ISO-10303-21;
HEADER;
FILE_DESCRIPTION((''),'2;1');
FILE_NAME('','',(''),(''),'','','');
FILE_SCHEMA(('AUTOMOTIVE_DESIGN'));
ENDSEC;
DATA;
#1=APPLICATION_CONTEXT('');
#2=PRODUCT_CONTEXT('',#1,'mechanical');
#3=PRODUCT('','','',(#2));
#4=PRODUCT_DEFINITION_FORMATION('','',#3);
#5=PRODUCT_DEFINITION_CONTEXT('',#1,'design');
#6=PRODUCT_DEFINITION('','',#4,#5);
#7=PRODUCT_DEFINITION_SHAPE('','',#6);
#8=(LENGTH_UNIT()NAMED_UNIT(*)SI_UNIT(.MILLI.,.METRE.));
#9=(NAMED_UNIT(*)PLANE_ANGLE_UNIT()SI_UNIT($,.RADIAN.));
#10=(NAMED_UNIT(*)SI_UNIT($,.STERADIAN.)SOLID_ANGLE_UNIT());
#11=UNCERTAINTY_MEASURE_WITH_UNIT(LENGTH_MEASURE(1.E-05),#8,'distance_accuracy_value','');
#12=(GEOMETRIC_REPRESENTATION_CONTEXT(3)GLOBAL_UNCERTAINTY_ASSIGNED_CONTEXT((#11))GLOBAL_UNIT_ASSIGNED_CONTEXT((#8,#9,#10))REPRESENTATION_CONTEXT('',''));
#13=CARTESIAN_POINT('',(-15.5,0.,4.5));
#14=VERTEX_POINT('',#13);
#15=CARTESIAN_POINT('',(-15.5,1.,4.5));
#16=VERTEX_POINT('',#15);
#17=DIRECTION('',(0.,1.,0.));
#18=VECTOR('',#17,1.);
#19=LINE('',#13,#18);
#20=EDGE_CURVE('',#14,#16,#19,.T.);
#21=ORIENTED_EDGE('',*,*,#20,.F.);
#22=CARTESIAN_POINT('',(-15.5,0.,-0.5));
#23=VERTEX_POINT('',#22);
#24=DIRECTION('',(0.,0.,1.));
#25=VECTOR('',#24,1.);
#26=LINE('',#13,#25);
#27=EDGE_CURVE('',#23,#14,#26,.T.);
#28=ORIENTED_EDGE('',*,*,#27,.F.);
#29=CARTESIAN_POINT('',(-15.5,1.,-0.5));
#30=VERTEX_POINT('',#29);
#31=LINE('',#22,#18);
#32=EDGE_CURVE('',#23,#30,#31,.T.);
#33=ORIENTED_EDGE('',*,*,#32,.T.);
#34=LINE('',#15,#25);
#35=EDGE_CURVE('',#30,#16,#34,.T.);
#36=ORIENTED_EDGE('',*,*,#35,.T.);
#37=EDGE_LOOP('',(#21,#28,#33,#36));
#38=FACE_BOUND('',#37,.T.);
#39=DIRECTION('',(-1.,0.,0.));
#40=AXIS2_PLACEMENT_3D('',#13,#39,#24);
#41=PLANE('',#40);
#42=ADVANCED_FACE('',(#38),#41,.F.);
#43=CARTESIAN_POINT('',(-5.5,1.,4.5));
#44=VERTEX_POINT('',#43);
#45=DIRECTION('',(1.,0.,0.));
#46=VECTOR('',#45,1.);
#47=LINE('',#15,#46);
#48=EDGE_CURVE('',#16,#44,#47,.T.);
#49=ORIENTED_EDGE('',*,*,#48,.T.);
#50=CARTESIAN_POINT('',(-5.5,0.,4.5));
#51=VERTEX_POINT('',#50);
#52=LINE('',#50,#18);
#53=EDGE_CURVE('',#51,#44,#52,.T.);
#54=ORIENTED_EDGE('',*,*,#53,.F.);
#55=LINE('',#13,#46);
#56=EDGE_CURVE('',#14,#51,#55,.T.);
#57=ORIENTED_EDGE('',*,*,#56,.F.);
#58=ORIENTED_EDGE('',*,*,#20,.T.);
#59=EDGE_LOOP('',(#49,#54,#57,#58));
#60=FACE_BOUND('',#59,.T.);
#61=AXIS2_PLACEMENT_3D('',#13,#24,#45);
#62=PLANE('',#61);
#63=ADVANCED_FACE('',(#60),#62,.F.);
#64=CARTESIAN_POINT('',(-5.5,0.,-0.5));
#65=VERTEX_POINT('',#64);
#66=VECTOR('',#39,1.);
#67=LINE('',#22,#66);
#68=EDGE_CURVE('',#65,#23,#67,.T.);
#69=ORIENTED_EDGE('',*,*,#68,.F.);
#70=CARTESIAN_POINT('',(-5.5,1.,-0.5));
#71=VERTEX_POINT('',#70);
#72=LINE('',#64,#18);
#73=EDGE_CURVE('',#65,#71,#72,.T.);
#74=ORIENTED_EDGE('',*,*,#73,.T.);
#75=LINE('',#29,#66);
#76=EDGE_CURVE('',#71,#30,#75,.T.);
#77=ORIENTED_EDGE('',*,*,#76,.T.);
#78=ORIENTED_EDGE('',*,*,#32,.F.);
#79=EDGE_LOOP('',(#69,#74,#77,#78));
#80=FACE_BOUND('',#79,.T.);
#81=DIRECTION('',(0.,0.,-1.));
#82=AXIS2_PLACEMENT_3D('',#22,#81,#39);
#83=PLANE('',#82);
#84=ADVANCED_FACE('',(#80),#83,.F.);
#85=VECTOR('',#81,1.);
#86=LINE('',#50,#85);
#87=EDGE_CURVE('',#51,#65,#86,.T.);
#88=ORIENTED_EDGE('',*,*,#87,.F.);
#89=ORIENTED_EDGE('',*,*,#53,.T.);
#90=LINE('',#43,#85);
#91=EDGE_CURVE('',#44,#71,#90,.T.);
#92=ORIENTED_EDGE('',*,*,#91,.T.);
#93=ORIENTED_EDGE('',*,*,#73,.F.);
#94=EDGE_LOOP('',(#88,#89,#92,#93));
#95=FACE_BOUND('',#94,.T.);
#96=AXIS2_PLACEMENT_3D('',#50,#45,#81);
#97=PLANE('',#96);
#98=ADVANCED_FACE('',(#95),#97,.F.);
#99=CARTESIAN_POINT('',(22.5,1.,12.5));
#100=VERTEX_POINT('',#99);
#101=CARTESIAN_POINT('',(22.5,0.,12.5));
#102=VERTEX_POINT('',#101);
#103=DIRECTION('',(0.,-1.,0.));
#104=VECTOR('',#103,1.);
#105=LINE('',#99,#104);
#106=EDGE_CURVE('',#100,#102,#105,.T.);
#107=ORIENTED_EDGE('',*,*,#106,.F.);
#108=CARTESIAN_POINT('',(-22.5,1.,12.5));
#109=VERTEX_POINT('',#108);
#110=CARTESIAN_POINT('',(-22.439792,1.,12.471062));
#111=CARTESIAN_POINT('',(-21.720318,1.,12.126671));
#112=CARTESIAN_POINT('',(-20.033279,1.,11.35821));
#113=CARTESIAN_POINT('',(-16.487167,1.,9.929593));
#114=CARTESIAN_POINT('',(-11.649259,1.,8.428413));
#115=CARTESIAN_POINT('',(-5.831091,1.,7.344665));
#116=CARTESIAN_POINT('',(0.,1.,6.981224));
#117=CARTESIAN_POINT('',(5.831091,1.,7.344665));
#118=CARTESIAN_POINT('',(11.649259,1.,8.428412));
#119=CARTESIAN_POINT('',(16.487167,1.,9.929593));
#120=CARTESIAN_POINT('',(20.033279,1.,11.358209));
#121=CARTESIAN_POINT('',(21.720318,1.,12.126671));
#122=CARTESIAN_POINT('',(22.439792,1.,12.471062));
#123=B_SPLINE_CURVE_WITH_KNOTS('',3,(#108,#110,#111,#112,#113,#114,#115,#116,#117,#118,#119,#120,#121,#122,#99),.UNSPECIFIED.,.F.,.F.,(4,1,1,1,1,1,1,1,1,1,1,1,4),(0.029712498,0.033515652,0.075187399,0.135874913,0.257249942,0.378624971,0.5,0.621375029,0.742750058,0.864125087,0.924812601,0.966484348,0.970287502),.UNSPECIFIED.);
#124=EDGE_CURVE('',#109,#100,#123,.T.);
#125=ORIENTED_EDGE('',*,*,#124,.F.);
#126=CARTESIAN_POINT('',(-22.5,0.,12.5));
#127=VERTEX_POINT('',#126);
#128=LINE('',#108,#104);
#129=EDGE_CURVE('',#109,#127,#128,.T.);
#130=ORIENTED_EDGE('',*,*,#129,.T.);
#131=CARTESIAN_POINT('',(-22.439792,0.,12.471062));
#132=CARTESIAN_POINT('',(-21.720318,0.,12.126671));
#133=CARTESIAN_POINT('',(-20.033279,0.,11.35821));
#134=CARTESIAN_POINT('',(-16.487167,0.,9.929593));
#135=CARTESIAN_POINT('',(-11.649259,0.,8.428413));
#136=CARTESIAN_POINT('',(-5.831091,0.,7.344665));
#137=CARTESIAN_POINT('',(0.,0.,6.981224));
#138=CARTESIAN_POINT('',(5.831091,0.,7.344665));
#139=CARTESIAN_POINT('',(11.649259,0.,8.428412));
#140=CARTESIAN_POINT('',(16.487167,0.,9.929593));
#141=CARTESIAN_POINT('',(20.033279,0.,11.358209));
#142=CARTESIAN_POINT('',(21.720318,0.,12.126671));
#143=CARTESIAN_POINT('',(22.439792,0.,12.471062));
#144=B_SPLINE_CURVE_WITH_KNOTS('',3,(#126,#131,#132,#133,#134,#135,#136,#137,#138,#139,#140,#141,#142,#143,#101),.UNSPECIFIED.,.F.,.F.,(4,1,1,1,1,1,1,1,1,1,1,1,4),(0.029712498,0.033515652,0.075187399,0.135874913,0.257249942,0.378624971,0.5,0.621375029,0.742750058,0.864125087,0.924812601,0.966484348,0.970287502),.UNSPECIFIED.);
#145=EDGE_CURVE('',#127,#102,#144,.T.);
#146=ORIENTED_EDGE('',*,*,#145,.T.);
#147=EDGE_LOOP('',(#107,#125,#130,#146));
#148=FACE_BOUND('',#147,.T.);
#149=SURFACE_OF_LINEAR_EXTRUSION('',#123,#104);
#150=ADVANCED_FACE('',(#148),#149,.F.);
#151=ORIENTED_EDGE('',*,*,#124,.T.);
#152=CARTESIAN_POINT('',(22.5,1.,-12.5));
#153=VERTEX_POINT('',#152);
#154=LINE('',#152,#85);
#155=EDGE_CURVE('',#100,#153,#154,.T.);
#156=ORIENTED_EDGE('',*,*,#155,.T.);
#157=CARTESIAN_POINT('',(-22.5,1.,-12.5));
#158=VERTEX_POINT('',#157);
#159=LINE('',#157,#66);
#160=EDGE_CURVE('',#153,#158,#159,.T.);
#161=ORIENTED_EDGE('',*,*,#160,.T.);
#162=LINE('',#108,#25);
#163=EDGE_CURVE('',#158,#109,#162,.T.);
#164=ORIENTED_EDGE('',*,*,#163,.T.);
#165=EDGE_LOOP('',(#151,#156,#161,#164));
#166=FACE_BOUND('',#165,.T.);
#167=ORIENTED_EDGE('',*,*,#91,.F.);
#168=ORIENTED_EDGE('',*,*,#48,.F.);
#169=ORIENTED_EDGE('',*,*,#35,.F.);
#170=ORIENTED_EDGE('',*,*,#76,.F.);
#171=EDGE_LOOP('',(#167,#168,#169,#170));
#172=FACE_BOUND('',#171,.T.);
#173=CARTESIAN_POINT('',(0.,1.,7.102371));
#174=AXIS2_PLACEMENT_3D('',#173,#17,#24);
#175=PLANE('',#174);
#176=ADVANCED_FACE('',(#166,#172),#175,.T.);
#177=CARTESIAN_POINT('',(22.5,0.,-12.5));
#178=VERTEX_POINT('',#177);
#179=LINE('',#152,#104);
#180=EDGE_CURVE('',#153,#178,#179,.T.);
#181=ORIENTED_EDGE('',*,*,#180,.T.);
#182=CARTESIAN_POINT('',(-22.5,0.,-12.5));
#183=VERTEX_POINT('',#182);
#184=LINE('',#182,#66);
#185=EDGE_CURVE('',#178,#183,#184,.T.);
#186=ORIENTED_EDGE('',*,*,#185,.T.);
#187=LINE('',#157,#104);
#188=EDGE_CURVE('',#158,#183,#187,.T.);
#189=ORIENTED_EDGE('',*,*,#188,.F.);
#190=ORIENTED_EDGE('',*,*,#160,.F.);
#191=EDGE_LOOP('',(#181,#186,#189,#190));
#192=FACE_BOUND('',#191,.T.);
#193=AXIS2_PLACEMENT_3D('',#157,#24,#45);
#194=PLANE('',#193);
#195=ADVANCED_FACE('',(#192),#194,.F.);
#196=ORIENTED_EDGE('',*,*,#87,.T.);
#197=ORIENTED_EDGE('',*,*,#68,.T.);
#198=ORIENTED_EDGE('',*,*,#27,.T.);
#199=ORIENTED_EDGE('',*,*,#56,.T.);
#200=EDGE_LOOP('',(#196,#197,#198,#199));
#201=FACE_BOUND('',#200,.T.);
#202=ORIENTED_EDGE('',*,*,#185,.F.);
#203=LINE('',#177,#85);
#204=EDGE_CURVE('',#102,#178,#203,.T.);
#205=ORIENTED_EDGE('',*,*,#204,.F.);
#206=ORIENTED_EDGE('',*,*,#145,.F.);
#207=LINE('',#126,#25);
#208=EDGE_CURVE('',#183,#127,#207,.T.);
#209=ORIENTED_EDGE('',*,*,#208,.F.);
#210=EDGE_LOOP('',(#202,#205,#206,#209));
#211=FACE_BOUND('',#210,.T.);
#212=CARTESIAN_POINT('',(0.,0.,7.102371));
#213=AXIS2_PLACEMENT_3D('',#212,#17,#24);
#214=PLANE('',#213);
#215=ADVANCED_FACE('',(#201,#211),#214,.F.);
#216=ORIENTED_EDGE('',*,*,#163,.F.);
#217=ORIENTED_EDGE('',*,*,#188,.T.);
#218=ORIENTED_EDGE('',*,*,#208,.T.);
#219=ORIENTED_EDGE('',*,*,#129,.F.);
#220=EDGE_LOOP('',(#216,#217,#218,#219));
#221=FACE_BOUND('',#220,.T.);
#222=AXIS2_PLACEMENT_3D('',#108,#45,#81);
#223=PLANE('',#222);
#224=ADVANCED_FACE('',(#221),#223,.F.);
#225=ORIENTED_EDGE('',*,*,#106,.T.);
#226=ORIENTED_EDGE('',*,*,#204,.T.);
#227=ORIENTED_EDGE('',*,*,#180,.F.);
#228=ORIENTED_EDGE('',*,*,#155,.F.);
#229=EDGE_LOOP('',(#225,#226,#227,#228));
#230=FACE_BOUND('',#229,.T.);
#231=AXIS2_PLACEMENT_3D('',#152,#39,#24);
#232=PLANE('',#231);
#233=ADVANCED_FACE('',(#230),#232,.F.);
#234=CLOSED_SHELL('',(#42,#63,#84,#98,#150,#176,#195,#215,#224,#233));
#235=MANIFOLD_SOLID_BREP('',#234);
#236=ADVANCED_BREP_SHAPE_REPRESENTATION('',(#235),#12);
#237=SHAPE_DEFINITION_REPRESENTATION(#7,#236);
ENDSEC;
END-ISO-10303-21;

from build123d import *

# Parameters (mm, degrees)
BOSS_EXTRUDE1_DEPTH = 1
SKETCH2_W           = 10
SKETCH2_H           = 5
CUT_EXTRUDE1_DEPTH  = 1


with BuildPart() as part:
    # Sketch1 → Boss-Extrude1 (new body)
    with BuildSketch(Plane(origin=(0, 0, 0), x_dir=(1, 0, 0), z_dir=(0, 1, 0))):
        with BuildLine():
            Line((-22.5, -12.500000317), (-22.5, 12.500000317))
            Line((-22.5, 12.500000317), (22.5, 12.500000317))
            Line((22.5, 12.500000317), (22.5, -12.499999683))
            add(Edge.make_bspline(
                [(-22.5, -12.500000317), (-22.439792168, -12.471062497), (-21.720318389, -12.126671398), (-20.033278548, -11.358209685), (-16.487166751, -9.929593391), (-11.649258831, -8.428412522), (-5.831090838, -7.344665325), (-7.7e-08, -6.981224033), (5.831090693, -7.344665161), (11.649258717, -8.428412194), (16.487166679, -9.929592927), (20.033278516, -11.358209122), (21.720318379, -12.126670787), (22.439792167, -12.471061866), (22.5, -12.499999683)],
                knots=[0.029712498, 0.029712498, 0.029712498, 0.029712498, 0.033515652, 0.075187399, 0.135874913, 0.257249942, 0.378624971, 0.5, 0.621375029, 0.742750058, 0.864125087, 0.924812601, 0.966484348, 0.970287502, 0.970287502, 0.970287502, 0.970287502], degree=3))
        make_face()
    extrude(amount=BOSS_EXTRUDE1_DEPTH)

    # Sketch2 → Cut-Extrude1 (cut)
    with BuildSketch(Plane(origin=(0, 1, 0), x_dir=(1, 0, 0), z_dir=(0, 1, 0))):
        with Locations((-10.5, -1.999999683)):
            Rectangle(SKETCH2_W, SKETCH2_H)
    extrude(amount=-CUT_EXTRUDE1_DEPTH, mode=Mode.SUBTRACT)


solid = part.part
